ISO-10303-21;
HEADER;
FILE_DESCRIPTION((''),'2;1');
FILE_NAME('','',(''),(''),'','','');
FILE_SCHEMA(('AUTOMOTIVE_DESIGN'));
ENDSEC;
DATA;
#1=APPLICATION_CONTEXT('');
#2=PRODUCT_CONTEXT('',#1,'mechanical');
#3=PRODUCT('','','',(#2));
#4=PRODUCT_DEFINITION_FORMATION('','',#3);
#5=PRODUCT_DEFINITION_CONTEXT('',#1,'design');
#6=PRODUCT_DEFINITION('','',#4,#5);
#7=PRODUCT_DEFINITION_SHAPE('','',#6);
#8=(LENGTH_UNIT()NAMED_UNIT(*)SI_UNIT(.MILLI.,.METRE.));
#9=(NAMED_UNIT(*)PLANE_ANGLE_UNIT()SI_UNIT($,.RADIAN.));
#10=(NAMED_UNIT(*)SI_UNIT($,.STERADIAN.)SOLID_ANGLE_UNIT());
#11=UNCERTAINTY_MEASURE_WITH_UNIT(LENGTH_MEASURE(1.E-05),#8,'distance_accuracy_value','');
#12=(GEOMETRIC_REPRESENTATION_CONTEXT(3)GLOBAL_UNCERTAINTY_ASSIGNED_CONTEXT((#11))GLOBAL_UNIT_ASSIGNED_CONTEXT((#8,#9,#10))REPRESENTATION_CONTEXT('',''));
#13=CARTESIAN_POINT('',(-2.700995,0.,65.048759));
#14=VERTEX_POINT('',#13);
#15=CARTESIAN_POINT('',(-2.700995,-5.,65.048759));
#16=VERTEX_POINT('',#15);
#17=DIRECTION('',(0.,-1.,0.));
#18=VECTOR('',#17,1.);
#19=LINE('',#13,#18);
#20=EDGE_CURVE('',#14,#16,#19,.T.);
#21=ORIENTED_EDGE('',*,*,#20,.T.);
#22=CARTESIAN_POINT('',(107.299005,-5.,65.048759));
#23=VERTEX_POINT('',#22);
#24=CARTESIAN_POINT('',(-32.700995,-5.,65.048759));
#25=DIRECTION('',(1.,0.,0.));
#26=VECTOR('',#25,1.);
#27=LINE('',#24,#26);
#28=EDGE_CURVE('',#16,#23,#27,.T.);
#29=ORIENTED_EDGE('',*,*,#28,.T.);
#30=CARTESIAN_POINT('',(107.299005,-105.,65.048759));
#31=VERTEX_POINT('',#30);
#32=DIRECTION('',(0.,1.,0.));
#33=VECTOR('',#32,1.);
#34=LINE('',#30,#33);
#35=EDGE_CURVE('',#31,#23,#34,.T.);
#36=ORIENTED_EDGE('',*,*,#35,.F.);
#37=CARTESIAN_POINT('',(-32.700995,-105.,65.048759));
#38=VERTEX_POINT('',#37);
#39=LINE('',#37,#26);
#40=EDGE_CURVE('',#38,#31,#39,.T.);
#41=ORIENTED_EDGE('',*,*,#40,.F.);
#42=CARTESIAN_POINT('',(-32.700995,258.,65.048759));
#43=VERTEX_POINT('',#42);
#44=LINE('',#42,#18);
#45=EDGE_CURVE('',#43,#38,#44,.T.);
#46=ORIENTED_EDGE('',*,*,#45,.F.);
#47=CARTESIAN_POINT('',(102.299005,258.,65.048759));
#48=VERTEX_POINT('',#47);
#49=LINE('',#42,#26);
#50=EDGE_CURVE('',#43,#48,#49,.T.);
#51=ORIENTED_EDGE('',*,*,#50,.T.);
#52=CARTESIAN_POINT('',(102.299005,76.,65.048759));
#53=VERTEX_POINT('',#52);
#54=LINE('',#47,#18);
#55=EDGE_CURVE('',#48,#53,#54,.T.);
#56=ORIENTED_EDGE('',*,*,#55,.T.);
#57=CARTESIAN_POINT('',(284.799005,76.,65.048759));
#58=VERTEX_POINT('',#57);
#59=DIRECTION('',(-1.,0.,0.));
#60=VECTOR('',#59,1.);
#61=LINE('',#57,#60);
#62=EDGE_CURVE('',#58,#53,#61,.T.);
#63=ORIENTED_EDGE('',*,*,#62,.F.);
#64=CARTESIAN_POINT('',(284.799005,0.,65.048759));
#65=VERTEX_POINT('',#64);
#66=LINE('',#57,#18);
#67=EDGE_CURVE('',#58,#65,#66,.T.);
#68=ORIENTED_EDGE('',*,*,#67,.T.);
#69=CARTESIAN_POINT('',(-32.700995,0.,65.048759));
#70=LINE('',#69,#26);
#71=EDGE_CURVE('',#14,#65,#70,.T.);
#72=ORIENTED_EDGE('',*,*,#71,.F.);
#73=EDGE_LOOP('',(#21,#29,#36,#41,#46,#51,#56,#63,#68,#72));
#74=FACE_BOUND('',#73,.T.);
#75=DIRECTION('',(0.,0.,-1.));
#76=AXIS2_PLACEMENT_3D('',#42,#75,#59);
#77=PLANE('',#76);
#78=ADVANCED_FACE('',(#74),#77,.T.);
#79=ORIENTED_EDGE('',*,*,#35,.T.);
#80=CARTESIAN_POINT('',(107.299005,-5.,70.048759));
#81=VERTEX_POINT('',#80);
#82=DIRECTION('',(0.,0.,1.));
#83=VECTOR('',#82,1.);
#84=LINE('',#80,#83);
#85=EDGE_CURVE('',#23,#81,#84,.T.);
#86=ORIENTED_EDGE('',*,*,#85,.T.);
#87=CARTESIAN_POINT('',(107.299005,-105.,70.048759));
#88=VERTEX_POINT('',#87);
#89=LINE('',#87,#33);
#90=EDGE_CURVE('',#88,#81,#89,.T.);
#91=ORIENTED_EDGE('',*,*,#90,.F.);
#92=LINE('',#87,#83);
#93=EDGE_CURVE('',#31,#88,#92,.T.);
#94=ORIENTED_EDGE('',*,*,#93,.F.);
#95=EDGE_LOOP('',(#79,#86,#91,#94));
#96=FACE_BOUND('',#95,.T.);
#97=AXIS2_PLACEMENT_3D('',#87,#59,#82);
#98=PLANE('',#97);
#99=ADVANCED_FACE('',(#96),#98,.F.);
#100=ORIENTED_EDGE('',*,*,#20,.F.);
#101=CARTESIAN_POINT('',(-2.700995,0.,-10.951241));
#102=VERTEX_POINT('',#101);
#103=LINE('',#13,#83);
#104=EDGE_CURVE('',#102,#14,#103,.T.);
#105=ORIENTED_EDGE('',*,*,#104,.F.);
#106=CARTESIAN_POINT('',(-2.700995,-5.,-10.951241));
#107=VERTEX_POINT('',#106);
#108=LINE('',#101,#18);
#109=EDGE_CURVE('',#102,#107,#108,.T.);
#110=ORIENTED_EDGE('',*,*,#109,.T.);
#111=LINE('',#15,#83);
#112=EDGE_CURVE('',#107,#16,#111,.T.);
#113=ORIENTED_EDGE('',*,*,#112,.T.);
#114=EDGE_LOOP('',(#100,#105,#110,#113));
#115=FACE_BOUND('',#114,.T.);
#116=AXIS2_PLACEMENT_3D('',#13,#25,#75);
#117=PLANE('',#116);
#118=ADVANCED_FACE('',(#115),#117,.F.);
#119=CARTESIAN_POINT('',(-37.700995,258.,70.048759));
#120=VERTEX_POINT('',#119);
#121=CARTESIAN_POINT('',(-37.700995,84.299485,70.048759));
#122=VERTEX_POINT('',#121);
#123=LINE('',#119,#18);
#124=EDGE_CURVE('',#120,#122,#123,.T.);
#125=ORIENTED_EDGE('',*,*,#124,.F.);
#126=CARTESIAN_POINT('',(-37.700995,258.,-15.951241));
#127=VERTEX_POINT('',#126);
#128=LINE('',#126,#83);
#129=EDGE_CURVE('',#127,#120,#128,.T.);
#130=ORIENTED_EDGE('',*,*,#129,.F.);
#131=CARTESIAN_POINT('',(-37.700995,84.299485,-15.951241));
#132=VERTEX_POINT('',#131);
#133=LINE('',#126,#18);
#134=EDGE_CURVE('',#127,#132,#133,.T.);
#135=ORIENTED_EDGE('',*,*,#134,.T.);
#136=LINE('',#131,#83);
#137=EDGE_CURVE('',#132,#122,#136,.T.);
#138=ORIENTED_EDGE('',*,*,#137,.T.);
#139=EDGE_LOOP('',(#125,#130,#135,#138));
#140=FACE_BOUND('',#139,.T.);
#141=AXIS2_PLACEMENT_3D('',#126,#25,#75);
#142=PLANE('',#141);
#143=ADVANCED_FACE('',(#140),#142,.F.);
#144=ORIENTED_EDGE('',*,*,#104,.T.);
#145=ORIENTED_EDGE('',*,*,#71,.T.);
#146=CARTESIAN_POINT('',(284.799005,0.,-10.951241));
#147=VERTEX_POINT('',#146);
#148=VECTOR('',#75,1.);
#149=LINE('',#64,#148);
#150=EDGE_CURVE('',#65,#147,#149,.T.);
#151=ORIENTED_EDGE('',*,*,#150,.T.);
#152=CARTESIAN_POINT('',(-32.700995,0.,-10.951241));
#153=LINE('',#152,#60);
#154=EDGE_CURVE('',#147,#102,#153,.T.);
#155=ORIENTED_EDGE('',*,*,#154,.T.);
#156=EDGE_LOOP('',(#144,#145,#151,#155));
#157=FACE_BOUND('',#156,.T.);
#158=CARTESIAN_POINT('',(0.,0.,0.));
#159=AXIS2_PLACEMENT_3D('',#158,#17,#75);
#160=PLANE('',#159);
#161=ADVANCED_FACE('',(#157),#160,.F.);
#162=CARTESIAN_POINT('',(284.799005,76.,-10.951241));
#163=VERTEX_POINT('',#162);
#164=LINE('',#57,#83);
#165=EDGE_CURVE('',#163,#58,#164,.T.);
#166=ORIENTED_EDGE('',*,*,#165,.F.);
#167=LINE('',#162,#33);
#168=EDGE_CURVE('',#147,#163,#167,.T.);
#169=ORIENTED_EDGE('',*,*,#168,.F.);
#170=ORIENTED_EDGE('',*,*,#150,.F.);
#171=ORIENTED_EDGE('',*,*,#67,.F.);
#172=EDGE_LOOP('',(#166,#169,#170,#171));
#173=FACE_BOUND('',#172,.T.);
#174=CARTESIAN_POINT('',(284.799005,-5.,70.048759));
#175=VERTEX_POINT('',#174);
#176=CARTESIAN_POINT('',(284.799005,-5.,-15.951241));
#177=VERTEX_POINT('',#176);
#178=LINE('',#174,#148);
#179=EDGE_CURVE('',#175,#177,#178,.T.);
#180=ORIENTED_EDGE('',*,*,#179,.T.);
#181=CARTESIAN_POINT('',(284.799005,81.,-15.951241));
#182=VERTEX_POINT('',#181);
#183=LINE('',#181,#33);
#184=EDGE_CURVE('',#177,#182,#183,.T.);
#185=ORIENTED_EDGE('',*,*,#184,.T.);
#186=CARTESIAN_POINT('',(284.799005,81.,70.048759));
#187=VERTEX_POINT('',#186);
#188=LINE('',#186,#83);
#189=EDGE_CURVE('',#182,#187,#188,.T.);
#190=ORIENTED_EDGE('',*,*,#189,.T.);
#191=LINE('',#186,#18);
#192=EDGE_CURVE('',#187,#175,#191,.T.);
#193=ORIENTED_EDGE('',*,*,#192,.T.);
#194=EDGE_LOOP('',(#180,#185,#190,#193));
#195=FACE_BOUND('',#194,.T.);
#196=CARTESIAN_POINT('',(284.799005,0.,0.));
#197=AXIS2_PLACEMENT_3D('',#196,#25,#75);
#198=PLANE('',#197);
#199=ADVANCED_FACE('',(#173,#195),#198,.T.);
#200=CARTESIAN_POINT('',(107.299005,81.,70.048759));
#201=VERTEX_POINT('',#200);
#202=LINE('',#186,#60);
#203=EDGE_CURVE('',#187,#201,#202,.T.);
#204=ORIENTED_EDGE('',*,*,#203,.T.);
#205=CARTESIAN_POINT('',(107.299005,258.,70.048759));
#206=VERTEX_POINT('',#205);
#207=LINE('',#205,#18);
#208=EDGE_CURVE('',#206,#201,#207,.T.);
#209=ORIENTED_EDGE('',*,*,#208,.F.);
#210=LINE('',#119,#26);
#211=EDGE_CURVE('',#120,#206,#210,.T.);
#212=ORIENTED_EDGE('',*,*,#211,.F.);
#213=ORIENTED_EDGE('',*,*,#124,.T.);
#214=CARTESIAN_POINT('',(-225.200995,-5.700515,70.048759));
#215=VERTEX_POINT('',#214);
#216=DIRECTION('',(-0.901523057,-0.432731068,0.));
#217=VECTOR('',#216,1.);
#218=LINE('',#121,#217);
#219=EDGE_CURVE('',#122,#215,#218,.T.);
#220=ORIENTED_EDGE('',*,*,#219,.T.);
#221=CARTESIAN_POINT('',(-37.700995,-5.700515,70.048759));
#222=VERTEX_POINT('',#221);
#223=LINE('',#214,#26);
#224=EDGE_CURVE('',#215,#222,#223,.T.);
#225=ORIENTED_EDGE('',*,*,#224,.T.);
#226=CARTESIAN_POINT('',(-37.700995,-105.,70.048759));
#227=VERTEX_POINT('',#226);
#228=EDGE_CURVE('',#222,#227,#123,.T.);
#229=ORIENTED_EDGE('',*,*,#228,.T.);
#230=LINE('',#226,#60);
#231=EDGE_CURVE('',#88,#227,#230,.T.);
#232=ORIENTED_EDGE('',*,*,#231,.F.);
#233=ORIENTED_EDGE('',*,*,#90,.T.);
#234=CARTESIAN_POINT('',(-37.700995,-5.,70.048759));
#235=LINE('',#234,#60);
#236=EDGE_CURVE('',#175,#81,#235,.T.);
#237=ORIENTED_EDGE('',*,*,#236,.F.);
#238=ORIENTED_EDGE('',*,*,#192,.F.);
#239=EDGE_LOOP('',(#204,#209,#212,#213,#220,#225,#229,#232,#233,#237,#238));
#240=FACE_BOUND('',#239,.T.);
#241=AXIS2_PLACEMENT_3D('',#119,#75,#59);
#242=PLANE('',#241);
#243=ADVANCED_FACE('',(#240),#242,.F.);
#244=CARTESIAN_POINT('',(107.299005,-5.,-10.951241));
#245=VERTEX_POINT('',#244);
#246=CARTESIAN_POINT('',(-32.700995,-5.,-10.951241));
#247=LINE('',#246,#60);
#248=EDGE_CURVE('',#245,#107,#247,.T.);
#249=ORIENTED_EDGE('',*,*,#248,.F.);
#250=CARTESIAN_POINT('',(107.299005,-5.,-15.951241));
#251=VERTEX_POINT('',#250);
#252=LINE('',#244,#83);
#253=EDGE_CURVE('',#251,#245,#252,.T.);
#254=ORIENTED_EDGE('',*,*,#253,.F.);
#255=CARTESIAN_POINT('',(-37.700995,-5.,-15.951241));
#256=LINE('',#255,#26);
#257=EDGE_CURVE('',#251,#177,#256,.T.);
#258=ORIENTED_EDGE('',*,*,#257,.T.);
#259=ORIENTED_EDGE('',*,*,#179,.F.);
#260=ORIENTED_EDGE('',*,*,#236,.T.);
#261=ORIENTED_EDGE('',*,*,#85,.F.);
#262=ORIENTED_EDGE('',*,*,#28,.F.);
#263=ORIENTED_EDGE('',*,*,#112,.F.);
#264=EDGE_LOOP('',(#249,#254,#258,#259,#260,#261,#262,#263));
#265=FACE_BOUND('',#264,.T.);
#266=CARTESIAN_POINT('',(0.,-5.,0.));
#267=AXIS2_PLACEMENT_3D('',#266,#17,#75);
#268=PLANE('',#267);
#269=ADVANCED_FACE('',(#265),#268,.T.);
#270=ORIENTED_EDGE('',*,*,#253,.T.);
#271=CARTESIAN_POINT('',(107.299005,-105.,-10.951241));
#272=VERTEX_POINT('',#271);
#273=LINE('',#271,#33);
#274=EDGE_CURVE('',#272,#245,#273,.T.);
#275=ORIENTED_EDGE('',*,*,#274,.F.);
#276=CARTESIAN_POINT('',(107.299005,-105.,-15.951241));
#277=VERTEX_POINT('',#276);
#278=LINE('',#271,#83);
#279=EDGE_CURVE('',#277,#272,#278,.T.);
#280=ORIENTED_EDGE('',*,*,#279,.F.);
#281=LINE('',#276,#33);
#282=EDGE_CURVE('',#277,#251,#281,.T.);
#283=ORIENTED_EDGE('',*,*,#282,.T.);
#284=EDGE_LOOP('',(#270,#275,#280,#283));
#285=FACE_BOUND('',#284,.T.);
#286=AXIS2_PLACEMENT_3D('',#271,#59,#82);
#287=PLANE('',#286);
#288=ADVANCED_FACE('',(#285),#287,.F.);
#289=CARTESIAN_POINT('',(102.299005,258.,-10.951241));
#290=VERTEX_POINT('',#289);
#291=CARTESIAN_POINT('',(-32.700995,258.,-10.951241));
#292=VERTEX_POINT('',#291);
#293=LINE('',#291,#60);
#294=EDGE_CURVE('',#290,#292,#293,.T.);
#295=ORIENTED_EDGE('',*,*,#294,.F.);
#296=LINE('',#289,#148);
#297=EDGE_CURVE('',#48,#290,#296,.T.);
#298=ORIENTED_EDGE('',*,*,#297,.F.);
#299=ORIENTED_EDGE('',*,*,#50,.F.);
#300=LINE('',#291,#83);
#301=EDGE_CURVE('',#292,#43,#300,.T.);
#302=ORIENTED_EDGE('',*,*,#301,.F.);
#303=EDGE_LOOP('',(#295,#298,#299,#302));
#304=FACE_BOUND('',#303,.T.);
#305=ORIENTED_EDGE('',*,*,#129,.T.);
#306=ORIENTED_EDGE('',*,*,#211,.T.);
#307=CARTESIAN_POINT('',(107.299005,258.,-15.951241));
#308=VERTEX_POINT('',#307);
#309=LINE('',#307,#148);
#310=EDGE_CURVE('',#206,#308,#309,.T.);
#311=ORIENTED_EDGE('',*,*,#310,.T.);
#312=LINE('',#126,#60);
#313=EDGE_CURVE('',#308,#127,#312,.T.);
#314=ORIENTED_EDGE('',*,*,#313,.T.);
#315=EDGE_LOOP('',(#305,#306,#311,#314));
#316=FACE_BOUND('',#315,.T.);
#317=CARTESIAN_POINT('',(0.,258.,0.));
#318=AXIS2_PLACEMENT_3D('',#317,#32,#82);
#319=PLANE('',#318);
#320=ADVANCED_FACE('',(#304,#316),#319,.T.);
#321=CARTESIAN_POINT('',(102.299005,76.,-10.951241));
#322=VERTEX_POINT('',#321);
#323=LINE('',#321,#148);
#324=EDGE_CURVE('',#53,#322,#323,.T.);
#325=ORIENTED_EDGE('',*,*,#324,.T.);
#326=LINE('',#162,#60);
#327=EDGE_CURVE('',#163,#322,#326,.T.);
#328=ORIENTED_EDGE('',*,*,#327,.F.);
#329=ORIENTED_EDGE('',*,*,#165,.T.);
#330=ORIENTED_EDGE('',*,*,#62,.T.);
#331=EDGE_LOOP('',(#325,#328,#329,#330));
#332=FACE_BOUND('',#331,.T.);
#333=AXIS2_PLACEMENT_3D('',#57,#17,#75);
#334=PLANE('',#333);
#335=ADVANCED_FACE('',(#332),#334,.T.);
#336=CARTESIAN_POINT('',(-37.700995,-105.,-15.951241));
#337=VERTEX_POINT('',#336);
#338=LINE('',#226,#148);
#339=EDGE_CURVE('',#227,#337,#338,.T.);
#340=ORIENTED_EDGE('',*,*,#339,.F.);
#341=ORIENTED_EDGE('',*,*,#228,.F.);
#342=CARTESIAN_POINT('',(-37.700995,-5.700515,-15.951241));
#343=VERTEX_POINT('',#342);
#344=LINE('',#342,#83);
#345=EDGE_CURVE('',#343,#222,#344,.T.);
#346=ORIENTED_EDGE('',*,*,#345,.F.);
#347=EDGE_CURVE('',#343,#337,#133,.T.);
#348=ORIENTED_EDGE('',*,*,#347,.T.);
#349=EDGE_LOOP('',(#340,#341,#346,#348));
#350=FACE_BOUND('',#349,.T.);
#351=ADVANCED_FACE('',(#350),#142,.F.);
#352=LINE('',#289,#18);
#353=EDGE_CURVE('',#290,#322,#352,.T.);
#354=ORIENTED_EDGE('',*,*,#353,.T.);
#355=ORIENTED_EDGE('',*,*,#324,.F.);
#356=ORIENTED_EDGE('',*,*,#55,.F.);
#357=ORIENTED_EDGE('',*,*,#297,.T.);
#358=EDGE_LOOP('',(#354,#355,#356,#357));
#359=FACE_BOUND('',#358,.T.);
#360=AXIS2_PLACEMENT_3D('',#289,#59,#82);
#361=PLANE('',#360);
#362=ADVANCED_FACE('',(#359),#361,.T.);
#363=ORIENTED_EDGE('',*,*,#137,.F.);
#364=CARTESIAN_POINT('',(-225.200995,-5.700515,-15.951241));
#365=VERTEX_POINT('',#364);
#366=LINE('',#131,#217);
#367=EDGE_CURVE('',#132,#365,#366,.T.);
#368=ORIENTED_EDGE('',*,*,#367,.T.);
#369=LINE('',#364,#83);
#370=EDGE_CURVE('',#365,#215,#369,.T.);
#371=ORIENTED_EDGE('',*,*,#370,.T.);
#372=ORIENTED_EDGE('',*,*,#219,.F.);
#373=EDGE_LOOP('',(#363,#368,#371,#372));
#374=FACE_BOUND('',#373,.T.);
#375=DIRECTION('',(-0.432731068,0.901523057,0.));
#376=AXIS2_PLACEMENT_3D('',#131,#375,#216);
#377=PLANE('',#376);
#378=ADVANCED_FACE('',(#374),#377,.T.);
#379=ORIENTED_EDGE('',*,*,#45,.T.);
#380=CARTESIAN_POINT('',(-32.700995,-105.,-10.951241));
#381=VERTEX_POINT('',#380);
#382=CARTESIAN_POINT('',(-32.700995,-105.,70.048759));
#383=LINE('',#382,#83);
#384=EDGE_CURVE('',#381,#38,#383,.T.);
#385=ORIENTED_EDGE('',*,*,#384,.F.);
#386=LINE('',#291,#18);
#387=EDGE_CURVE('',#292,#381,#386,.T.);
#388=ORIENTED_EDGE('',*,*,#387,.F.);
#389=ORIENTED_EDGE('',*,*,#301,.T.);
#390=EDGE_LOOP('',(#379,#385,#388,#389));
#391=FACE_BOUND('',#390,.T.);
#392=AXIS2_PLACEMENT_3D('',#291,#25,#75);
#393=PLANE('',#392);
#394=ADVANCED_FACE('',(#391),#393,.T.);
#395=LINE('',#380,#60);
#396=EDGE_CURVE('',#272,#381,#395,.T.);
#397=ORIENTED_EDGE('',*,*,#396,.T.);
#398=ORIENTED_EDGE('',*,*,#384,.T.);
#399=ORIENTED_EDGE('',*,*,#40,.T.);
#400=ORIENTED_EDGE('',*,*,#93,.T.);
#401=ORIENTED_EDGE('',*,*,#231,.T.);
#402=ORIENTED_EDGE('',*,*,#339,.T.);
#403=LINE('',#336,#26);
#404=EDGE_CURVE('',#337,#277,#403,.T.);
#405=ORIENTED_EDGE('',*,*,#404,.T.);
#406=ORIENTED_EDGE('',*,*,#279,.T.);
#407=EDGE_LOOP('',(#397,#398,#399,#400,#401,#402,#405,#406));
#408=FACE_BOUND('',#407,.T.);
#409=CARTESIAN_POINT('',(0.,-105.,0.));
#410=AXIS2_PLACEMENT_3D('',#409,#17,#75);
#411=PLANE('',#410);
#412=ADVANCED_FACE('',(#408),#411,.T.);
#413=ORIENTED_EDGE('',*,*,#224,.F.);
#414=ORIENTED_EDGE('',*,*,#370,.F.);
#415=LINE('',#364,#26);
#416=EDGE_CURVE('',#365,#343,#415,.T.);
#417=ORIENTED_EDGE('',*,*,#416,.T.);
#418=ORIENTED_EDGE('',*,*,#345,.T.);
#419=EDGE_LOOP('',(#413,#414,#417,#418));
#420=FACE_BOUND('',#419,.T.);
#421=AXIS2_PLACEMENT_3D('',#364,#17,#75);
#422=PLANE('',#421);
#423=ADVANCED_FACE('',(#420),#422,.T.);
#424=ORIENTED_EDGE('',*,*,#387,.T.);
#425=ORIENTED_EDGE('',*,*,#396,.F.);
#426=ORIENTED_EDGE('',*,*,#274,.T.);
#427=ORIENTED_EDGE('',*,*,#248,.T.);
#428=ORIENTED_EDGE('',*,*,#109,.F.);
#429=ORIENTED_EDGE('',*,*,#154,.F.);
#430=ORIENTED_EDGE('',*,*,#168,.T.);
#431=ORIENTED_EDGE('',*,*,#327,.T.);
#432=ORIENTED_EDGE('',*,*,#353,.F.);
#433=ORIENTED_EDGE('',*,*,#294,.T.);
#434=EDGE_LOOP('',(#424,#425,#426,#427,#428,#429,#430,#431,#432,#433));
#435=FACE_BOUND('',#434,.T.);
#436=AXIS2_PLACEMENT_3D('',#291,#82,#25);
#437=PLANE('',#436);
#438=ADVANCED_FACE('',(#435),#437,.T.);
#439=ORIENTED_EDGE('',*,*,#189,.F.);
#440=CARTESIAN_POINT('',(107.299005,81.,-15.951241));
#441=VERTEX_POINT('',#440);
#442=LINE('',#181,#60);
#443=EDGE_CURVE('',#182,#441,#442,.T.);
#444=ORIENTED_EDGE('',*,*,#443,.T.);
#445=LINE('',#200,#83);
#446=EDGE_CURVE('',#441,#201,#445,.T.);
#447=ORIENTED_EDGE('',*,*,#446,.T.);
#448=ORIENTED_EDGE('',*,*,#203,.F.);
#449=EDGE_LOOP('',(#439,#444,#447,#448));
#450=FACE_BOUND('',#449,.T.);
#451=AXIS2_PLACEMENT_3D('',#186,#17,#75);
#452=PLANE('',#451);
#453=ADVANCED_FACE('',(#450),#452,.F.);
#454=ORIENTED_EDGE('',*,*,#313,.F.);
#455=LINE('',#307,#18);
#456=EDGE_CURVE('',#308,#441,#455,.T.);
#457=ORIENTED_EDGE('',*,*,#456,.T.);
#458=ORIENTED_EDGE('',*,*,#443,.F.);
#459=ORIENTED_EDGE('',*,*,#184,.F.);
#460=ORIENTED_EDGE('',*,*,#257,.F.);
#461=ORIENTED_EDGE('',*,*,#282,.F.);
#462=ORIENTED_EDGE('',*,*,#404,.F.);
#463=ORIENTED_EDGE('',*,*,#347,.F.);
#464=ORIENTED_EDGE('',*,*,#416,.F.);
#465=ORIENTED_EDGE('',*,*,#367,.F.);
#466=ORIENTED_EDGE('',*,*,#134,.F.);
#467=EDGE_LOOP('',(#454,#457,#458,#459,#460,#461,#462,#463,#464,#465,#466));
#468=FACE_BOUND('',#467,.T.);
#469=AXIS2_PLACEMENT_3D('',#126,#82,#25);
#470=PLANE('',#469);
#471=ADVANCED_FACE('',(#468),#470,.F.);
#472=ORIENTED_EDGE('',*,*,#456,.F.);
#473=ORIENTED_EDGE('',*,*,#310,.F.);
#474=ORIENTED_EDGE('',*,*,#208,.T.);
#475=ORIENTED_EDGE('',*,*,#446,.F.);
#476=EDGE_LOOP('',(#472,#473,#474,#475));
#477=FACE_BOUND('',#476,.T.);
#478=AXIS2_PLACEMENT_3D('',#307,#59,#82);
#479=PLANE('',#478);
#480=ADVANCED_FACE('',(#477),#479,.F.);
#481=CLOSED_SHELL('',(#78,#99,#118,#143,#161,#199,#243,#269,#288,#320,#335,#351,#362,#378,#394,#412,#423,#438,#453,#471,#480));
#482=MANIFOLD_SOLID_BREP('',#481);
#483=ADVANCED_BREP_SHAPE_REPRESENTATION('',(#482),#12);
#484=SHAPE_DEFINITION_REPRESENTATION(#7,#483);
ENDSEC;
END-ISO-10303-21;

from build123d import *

# Parameters (mm, degrees)
ESQUISSE1_W             = 145
ESQUISSE1_H             = 86
ESQUISSE1_W_2           = 135
ESQUISSE1_H_2           = 76
BOSS_EXTRU_1_DEPTH      = 258
ESQUISSE2_W             = 145
ESQUISSE2_H             = 86
BOSS_EXTRU_2_DEPTH      = 5
ESQUISSE3_W             = 30
ESQUISSE3_H             = 76
ENL_V_MAT_EXTRU_1_DEPTH = 5
ESQUISSE5_W             = 5
ESQUISSE5_H             = 86
BOSS_EXTRU_3_DEPTH      = 100
BOSS_EXTRU_6_DEPTH      = 86
ESQUISSE10_W            = 86
ESQUISSE10_H            = 86
ESQUISSE10_W_2          = 76
ESQUISSE10_H_2          = 76
BOSS_EXTRU_7_DEPTH      = 177.5
ESQUISSE11_W            = 76
ESQUISSE11_H            = 76
ENL_V_MAT_EXTRU_2_DEPTH = 10
ESQUISSE12_W            = 140
ESQUISSE12_H            = 5
BOSS_EXTRU_8_DEPTH      = 100


with BuildPart() as part:
    # Esquisse1 → Boss.-Extru.1 (new body)
    with BuildSketch(Plane(origin=(0, 0, 0), x_dir=(1, 0, 0), z_dir=(0, 1, 0))):
        with Locations((34.799005462, -27.04875873)):
            Rectangle(ESQUISSE1_W, ESQUISSE1_H)
        with Locations((34.799005462, -27.04875873)):
            Rectangle(ESQUISSE1_W_2, ESQUISSE1_H_2, mode=Mode.SUBTRACT)
    extrude(amount=BOSS_EXTRU_1_DEPTH)

    # Esquisse2 → Boss.-Extru.2 (add)
    with BuildSketch(Plane.XZ):
        with Locations((34.799005462, 27.04875873)):
            Rectangle(ESQUISSE2_W, ESQUISSE2_H)
    extrude(amount=BOSS_EXTRU_2_DEPTH)

    # Esquisse3 → Enlèv. mat.-Extru.1 (cut)
    with BuildSketch(Plane.XZ.offset(5)):
        with Locations((-17.700994538, 27.04875873)):
            Rectangle(ESQUISSE3_W, ESQUISSE3_H)
    extrude(amount=-ENL_V_MAT_EXTRU_1_DEPTH, mode=Mode.SUBTRACT)

    # Esquisse5 → Boss.-Extru.3 (add)
    with BuildSketch(Plane.XZ.offset(5)):
        with Locations((-35.200994538, 27.04875873)):
            Rectangle(ESQUISSE5_W, ESQUISSE5_H)
    extrude(amount=BOSS_EXTRU_3_DEPTH)

    # Esquisse9 → Boss.-Extru.6 (add)
    with BuildSketch(Plane.XY.offset(70.04875873)):
        Polygon((-37.700994538, -5.700514768), (-37.700994538, 84.299485232), (-225.200994538, -5.700514768), align=None)
    extrude(amount=-BOSS_EXTRU_6_DEPTH)

    # Esquisse10 → Boss.-Extru.7 (add)
    with BuildSketch(Plane(origin=(107.299005462, 0, 0), x_dir=(0, 0, -1), z_dir=(1, 0, 0))):
        with Locations((-27.04875873, 38)):
            Rectangle(ESQUISSE10_W, ESQUISSE10_H)
        with Locations((-27.04875873, 38)):
            Rectangle(ESQUISSE10_W_2, ESQUISSE10_H_2, mode=Mode.SUBTRACT)
    extrude(amount=BOSS_EXTRU_7_DEPTH)

    # Esquisse11 → Enlèv. mat.-Extru.2 (cut)
    with BuildSketch(Plane(origin=(107.299005462, 0, 0), x_dir=(0, 0, -1), z_dir=(1, 0, 0))):
        with Locations((-27.04875873, 38)):
            Rectangle(ESQUISSE11_W, ESQUISSE11_H)
    extrude(amount=-ENL_V_MAT_EXTRU_2_DEPTH, mode=Mode.SUBTRACT)

    # Esquisse12 → Boss.-Extru.8 (add)
    with BuildSketch(Plane.XZ.offset(5)):
        with Locations((37.299005462, 67.54875873)):
            Rectangle(ESQUISSE12_W, ESQUISSE12_H)
        with Locations((37.299005462, -13.45124127)):
            Rectangle(ESQUISSE12_W, ESQUISSE12_H)
    extrude(amount=BOSS_EXTRU_8_DEPTH)


solid = part.part
